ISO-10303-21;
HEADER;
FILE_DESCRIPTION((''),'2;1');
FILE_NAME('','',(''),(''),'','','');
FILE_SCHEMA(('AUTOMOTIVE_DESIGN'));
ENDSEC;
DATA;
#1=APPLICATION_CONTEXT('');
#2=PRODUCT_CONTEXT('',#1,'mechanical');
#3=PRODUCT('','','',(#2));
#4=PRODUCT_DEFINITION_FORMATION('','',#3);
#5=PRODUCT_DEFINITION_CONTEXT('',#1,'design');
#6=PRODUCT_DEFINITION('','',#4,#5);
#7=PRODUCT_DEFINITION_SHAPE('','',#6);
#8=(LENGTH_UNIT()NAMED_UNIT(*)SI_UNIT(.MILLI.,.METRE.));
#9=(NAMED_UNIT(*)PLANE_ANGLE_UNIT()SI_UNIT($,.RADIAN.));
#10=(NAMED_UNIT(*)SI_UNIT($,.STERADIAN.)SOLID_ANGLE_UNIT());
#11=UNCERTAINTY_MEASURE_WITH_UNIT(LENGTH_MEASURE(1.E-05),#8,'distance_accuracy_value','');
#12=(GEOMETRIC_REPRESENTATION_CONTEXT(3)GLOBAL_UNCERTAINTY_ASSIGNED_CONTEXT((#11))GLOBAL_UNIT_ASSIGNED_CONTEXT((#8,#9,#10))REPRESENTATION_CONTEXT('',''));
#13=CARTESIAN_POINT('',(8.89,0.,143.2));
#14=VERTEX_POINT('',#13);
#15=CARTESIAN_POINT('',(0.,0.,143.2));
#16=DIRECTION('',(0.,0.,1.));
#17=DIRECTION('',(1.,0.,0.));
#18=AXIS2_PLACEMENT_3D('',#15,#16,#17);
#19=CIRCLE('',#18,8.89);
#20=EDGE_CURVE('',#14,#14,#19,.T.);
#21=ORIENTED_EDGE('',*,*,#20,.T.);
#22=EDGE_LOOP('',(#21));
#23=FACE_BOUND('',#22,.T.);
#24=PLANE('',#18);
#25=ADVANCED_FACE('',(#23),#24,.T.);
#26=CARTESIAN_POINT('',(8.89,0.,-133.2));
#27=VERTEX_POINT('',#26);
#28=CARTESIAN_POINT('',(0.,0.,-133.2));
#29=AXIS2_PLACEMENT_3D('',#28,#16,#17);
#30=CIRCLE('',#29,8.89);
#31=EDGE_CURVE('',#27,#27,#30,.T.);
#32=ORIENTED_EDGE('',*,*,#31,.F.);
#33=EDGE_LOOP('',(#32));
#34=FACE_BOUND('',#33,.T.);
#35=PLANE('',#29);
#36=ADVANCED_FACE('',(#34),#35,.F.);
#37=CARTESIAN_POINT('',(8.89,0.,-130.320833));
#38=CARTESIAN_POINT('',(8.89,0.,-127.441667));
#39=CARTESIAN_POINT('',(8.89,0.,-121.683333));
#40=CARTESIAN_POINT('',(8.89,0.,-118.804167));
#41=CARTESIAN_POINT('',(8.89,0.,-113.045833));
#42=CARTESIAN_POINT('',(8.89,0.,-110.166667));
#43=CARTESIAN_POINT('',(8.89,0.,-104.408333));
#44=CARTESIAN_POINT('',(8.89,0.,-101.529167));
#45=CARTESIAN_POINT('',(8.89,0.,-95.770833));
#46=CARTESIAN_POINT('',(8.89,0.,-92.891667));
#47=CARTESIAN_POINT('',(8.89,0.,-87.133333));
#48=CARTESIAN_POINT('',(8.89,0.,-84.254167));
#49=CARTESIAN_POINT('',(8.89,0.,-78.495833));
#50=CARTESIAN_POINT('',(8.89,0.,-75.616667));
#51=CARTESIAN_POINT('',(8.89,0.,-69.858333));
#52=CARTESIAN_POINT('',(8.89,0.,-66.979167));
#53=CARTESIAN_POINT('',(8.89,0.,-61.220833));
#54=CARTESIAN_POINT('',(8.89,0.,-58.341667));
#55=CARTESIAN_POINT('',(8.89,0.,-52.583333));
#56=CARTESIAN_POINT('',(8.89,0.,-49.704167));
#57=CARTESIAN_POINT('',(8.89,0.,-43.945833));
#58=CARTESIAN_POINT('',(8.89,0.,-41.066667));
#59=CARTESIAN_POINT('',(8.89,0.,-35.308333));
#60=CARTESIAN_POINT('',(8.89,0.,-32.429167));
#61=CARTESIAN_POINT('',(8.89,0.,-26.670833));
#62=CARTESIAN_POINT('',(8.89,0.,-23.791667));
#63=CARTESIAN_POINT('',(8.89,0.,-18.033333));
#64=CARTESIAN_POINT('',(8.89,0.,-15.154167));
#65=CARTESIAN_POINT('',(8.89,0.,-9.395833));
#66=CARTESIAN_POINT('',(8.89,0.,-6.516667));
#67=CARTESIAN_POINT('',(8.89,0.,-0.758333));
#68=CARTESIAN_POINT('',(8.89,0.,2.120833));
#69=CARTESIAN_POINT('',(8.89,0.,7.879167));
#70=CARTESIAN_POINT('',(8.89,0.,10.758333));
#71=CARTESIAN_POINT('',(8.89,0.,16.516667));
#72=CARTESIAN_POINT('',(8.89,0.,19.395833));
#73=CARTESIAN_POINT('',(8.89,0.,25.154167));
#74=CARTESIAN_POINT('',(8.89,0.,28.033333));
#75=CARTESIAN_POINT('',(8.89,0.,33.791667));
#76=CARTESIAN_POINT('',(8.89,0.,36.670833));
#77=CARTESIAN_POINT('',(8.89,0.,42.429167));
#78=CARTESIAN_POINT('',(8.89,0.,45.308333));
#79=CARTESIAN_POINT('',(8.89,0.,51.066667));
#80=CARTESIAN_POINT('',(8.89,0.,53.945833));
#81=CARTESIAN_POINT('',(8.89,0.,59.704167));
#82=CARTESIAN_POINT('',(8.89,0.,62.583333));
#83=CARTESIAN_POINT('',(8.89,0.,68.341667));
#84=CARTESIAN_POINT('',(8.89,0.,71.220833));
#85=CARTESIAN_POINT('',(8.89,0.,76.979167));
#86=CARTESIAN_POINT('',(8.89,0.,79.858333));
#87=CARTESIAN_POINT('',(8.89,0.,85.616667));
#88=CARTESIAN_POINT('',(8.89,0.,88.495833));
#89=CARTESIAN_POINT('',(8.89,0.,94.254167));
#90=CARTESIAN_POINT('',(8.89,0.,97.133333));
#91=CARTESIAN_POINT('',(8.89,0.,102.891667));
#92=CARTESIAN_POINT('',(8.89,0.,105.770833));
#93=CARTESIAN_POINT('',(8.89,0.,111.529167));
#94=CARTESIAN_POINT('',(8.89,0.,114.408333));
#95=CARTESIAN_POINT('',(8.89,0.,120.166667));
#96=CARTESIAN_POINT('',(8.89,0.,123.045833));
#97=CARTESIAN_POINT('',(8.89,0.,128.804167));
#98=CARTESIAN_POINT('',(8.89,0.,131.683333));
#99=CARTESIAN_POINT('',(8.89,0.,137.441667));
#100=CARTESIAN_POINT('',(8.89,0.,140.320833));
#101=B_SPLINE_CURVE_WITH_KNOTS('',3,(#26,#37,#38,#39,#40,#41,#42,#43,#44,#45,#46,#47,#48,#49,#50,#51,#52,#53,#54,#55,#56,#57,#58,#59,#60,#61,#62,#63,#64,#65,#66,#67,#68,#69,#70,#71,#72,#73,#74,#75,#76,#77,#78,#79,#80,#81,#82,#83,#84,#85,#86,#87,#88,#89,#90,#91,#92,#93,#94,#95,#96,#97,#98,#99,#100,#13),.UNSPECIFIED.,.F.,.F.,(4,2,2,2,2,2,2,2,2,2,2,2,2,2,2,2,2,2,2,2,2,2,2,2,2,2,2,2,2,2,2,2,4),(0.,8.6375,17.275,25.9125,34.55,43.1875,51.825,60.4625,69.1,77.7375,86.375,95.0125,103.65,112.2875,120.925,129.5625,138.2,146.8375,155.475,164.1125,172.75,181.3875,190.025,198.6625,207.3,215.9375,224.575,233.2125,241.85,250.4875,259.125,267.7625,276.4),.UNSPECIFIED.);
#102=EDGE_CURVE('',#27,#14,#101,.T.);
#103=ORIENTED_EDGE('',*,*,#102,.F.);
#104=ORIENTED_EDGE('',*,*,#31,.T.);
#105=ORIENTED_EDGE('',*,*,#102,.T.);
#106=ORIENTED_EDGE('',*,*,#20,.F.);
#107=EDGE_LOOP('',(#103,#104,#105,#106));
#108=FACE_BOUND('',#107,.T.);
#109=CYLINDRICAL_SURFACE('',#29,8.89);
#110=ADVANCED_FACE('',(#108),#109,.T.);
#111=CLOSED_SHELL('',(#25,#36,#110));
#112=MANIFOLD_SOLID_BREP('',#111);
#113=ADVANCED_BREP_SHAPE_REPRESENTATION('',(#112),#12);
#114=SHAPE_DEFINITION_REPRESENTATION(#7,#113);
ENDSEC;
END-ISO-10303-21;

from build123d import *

# Parameters (mm, degrees)
BOSS_EXTRUDE1_DEPTH      = 143.2
BOSS_EXTRUDE1_DEPTH_BACK = 133.2
SKETCH1_R                = 8.89


with BuildPart() as part:
    # Sketch1 → Boss-Extrude1 (new, two sides: drawn at the far end of the back side and taken through both)
    with BuildSketch(Plane.XY.offset(-BOSS_EXTRUDE1_DEPTH_BACK)):
        Circle(SKETCH1_R)
    extrude(amount=BOSS_EXTRUDE1_DEPTH + BOSS_EXTRUDE1_DEPTH_BACK)


solid = part.part
